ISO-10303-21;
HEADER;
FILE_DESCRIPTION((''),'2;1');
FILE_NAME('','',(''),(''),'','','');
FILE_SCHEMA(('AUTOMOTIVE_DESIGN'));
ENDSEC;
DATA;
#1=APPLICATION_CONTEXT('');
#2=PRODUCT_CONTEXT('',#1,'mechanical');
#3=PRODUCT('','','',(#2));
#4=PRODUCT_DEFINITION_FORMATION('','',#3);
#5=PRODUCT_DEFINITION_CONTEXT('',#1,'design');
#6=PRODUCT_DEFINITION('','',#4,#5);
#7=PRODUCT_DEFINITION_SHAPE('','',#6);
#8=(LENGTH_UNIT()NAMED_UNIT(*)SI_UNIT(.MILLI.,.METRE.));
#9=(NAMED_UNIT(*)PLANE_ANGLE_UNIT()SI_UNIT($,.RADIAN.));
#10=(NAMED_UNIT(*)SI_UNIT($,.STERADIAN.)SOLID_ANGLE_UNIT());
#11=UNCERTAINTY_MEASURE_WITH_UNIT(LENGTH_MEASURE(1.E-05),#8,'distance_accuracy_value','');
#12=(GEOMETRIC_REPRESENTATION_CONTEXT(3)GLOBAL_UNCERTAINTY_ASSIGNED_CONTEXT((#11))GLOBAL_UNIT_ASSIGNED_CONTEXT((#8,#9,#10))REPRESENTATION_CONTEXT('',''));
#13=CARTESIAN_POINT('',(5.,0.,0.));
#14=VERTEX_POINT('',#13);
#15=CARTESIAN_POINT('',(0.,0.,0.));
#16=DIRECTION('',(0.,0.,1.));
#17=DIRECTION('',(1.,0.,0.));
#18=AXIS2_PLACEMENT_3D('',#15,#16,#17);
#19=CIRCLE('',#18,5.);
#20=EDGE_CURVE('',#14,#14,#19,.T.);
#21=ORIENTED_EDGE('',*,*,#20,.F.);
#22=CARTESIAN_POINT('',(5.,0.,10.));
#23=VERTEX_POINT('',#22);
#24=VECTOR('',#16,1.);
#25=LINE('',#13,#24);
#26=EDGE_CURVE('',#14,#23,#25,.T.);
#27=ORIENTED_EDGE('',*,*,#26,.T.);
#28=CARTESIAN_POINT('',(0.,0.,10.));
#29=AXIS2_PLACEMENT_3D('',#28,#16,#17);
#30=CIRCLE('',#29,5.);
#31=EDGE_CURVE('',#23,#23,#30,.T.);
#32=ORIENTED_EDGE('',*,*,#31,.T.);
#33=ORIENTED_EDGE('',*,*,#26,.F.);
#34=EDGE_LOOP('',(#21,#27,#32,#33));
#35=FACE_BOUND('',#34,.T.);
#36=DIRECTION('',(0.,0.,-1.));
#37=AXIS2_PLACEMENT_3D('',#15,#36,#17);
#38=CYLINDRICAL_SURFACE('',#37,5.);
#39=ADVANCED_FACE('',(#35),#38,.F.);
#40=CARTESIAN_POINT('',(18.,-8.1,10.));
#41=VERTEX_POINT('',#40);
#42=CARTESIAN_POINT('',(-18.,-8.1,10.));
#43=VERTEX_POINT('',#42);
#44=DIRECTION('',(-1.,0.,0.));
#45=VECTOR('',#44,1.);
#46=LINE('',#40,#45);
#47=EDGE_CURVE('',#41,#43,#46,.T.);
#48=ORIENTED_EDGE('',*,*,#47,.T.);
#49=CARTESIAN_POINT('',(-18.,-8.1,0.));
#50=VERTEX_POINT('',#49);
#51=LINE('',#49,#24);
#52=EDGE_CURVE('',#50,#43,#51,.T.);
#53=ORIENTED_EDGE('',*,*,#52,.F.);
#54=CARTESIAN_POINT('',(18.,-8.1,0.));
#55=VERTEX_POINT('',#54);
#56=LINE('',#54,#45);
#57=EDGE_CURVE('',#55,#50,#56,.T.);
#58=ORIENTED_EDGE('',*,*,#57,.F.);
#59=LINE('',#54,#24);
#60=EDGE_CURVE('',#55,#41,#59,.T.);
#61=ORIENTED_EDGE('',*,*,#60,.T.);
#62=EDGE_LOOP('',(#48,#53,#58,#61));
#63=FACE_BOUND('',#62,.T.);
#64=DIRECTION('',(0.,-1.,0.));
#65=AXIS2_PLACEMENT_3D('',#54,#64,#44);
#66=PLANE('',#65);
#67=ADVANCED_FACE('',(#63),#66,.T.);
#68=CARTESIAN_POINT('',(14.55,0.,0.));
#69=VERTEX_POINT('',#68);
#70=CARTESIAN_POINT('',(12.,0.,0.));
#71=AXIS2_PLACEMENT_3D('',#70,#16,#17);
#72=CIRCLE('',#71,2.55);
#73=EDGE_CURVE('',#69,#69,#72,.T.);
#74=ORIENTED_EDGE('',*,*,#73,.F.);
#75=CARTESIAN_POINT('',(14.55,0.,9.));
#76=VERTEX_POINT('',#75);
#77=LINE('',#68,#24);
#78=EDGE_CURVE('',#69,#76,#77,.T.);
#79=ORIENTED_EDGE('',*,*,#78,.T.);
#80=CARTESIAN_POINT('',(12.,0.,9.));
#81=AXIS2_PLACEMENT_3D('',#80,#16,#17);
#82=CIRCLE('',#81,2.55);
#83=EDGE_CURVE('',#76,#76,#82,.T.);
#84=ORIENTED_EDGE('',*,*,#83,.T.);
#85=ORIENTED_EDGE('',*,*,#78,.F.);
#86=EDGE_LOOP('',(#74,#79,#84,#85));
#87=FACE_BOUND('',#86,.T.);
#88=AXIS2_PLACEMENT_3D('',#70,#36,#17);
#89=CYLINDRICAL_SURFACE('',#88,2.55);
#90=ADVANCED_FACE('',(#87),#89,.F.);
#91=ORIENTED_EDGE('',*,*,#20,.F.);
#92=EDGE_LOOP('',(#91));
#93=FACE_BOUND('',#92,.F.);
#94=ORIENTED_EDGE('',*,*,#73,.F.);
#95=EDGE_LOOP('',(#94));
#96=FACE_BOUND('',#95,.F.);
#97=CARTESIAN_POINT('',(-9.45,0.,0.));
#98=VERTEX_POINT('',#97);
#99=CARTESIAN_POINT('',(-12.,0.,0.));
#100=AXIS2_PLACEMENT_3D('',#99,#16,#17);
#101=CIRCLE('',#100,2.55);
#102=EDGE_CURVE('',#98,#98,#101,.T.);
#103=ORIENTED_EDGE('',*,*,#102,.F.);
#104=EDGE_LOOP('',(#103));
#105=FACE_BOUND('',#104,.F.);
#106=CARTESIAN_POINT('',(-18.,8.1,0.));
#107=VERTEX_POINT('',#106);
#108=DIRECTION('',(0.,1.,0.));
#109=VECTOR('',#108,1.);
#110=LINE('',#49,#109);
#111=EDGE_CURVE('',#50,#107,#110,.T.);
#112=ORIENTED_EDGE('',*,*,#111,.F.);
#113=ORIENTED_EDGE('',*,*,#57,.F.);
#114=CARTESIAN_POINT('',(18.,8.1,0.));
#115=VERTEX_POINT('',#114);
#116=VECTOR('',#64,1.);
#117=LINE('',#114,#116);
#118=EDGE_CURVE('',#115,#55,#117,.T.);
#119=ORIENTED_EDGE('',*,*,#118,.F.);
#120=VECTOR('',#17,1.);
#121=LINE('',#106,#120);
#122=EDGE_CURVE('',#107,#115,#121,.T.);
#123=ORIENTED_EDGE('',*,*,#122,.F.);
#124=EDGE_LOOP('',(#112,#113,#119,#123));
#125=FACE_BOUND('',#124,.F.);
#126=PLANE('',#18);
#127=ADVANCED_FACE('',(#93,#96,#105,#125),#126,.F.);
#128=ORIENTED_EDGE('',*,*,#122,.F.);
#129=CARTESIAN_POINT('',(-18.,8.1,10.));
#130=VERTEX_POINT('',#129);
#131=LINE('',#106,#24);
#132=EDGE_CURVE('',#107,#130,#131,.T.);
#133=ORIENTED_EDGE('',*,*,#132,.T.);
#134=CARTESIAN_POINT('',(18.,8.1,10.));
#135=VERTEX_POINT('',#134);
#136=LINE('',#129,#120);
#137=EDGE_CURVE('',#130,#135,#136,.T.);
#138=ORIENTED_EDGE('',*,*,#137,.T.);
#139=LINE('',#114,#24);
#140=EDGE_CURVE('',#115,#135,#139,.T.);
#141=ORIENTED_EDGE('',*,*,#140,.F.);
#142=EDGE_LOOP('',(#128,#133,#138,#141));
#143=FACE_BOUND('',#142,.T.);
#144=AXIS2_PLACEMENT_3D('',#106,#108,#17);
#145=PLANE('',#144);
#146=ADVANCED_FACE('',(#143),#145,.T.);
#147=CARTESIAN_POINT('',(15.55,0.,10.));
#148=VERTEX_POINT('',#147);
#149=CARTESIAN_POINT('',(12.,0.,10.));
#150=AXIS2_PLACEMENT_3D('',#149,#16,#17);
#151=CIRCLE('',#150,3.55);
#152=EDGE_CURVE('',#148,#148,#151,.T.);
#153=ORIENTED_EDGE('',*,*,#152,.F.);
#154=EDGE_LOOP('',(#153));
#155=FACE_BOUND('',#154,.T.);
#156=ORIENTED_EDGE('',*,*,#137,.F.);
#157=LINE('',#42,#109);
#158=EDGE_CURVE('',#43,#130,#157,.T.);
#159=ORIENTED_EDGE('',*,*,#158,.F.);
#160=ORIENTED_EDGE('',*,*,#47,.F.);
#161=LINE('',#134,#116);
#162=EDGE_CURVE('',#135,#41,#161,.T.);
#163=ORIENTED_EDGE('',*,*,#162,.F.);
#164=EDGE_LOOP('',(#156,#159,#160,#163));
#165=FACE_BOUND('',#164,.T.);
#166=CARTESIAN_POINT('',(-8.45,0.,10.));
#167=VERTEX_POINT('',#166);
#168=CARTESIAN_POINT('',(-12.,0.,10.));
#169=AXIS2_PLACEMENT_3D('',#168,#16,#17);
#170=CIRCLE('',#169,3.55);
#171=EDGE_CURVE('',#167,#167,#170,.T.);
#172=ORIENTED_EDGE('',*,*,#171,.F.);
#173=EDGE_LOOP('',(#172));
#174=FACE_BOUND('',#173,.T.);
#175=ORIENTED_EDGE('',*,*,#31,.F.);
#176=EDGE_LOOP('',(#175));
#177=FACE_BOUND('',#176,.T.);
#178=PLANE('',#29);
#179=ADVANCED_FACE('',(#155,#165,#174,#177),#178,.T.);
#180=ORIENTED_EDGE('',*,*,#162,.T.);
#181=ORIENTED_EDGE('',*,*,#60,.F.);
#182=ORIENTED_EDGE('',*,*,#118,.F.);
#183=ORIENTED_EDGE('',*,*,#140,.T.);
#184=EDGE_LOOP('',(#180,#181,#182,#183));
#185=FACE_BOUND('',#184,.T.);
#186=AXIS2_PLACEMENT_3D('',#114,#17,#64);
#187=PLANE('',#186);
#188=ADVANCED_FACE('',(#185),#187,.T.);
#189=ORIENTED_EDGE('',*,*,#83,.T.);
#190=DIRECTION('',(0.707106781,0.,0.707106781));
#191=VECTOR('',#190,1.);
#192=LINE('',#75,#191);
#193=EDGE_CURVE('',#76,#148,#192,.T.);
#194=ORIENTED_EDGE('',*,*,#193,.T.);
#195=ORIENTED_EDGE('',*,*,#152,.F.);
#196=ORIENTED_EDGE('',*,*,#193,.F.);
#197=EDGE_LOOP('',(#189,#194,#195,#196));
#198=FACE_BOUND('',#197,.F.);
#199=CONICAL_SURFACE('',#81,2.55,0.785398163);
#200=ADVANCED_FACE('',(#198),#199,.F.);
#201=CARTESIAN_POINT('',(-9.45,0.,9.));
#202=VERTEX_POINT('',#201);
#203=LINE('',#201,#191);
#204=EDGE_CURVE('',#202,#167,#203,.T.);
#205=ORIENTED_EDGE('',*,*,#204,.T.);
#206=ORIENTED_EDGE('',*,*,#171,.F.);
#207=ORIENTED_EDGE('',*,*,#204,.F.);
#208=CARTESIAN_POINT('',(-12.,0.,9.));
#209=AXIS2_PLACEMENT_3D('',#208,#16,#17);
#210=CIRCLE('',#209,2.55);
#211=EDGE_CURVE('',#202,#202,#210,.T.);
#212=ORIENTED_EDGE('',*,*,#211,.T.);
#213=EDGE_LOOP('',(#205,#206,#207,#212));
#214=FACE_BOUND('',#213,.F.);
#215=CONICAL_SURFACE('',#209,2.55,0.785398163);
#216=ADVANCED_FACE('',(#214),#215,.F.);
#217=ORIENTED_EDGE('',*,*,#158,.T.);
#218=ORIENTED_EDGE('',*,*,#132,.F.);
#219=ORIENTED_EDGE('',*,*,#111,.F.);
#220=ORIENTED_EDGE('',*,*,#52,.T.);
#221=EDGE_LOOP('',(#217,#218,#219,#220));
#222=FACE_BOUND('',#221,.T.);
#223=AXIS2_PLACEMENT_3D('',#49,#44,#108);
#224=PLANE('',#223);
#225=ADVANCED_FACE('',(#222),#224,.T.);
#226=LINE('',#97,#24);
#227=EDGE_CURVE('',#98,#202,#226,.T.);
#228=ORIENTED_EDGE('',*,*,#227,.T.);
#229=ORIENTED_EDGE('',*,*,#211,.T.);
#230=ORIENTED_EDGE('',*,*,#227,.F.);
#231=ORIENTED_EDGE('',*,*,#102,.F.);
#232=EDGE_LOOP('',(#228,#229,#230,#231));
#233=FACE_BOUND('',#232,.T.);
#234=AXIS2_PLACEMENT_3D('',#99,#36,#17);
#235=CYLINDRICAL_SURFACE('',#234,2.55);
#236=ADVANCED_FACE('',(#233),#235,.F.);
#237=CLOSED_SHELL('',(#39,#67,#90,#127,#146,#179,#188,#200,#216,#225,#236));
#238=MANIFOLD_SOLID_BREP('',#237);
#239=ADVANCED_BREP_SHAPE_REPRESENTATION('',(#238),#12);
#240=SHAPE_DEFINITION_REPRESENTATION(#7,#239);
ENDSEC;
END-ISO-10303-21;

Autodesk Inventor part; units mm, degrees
ref_plane "YZ Plane" through (0, 0, 0) normal (1, 0, 0) x (0, 1, 0)
ref_plane "XZ Plane" through (0, 0, 0) normal (0, 1, 0) x (-1, 0, 0)
ref_plane "XY Plane" through (0, 0, 0) normal (0, 0, 1) x (1, 0, 0)
sketch "Sketch1" plane through (0, 0, 0) normal (0, 0, 1) x (1, 0, 0)
  line L0 (-18, 8.1) -> (18, 8.1)
  line L1 (18, 8.1) -> (18, -8.1)
  line L2 (18, -8.1) -> (-18, -8.1)
  line L3 (-18, -8.1) -> (-18, 8.1)
  line L4 (0, 11.34) -> (0, -11.34) construction
  line L5 (-25.2, 0) -> (25.2, 0) construction
  circle A0 centre (0, 0) radius 5
  circle A1 centre (-12, 0) radius 2.55
  circle A2 centre (12, 0) radius 2.55
  dimension "d0" = 16.2
  dimension "d1" = 36
  dimension "d2" = 10
  dimension "d3" = 5.1
  dimension "d4" = 12
  dimension "d5" = 5.1
  dimension "d6" = 12
extrude "Extrusion1" add sketch "Sketch1" along normal blind 10
chamfer "Chamfer1" distance 1 angle 45 2 edges at (-14.55, 0, 10) (9.45, 0, 10)
equation "\"d5\" = d3"
equation "\"d6\" = d4"
properties part number "supporto guide x"
